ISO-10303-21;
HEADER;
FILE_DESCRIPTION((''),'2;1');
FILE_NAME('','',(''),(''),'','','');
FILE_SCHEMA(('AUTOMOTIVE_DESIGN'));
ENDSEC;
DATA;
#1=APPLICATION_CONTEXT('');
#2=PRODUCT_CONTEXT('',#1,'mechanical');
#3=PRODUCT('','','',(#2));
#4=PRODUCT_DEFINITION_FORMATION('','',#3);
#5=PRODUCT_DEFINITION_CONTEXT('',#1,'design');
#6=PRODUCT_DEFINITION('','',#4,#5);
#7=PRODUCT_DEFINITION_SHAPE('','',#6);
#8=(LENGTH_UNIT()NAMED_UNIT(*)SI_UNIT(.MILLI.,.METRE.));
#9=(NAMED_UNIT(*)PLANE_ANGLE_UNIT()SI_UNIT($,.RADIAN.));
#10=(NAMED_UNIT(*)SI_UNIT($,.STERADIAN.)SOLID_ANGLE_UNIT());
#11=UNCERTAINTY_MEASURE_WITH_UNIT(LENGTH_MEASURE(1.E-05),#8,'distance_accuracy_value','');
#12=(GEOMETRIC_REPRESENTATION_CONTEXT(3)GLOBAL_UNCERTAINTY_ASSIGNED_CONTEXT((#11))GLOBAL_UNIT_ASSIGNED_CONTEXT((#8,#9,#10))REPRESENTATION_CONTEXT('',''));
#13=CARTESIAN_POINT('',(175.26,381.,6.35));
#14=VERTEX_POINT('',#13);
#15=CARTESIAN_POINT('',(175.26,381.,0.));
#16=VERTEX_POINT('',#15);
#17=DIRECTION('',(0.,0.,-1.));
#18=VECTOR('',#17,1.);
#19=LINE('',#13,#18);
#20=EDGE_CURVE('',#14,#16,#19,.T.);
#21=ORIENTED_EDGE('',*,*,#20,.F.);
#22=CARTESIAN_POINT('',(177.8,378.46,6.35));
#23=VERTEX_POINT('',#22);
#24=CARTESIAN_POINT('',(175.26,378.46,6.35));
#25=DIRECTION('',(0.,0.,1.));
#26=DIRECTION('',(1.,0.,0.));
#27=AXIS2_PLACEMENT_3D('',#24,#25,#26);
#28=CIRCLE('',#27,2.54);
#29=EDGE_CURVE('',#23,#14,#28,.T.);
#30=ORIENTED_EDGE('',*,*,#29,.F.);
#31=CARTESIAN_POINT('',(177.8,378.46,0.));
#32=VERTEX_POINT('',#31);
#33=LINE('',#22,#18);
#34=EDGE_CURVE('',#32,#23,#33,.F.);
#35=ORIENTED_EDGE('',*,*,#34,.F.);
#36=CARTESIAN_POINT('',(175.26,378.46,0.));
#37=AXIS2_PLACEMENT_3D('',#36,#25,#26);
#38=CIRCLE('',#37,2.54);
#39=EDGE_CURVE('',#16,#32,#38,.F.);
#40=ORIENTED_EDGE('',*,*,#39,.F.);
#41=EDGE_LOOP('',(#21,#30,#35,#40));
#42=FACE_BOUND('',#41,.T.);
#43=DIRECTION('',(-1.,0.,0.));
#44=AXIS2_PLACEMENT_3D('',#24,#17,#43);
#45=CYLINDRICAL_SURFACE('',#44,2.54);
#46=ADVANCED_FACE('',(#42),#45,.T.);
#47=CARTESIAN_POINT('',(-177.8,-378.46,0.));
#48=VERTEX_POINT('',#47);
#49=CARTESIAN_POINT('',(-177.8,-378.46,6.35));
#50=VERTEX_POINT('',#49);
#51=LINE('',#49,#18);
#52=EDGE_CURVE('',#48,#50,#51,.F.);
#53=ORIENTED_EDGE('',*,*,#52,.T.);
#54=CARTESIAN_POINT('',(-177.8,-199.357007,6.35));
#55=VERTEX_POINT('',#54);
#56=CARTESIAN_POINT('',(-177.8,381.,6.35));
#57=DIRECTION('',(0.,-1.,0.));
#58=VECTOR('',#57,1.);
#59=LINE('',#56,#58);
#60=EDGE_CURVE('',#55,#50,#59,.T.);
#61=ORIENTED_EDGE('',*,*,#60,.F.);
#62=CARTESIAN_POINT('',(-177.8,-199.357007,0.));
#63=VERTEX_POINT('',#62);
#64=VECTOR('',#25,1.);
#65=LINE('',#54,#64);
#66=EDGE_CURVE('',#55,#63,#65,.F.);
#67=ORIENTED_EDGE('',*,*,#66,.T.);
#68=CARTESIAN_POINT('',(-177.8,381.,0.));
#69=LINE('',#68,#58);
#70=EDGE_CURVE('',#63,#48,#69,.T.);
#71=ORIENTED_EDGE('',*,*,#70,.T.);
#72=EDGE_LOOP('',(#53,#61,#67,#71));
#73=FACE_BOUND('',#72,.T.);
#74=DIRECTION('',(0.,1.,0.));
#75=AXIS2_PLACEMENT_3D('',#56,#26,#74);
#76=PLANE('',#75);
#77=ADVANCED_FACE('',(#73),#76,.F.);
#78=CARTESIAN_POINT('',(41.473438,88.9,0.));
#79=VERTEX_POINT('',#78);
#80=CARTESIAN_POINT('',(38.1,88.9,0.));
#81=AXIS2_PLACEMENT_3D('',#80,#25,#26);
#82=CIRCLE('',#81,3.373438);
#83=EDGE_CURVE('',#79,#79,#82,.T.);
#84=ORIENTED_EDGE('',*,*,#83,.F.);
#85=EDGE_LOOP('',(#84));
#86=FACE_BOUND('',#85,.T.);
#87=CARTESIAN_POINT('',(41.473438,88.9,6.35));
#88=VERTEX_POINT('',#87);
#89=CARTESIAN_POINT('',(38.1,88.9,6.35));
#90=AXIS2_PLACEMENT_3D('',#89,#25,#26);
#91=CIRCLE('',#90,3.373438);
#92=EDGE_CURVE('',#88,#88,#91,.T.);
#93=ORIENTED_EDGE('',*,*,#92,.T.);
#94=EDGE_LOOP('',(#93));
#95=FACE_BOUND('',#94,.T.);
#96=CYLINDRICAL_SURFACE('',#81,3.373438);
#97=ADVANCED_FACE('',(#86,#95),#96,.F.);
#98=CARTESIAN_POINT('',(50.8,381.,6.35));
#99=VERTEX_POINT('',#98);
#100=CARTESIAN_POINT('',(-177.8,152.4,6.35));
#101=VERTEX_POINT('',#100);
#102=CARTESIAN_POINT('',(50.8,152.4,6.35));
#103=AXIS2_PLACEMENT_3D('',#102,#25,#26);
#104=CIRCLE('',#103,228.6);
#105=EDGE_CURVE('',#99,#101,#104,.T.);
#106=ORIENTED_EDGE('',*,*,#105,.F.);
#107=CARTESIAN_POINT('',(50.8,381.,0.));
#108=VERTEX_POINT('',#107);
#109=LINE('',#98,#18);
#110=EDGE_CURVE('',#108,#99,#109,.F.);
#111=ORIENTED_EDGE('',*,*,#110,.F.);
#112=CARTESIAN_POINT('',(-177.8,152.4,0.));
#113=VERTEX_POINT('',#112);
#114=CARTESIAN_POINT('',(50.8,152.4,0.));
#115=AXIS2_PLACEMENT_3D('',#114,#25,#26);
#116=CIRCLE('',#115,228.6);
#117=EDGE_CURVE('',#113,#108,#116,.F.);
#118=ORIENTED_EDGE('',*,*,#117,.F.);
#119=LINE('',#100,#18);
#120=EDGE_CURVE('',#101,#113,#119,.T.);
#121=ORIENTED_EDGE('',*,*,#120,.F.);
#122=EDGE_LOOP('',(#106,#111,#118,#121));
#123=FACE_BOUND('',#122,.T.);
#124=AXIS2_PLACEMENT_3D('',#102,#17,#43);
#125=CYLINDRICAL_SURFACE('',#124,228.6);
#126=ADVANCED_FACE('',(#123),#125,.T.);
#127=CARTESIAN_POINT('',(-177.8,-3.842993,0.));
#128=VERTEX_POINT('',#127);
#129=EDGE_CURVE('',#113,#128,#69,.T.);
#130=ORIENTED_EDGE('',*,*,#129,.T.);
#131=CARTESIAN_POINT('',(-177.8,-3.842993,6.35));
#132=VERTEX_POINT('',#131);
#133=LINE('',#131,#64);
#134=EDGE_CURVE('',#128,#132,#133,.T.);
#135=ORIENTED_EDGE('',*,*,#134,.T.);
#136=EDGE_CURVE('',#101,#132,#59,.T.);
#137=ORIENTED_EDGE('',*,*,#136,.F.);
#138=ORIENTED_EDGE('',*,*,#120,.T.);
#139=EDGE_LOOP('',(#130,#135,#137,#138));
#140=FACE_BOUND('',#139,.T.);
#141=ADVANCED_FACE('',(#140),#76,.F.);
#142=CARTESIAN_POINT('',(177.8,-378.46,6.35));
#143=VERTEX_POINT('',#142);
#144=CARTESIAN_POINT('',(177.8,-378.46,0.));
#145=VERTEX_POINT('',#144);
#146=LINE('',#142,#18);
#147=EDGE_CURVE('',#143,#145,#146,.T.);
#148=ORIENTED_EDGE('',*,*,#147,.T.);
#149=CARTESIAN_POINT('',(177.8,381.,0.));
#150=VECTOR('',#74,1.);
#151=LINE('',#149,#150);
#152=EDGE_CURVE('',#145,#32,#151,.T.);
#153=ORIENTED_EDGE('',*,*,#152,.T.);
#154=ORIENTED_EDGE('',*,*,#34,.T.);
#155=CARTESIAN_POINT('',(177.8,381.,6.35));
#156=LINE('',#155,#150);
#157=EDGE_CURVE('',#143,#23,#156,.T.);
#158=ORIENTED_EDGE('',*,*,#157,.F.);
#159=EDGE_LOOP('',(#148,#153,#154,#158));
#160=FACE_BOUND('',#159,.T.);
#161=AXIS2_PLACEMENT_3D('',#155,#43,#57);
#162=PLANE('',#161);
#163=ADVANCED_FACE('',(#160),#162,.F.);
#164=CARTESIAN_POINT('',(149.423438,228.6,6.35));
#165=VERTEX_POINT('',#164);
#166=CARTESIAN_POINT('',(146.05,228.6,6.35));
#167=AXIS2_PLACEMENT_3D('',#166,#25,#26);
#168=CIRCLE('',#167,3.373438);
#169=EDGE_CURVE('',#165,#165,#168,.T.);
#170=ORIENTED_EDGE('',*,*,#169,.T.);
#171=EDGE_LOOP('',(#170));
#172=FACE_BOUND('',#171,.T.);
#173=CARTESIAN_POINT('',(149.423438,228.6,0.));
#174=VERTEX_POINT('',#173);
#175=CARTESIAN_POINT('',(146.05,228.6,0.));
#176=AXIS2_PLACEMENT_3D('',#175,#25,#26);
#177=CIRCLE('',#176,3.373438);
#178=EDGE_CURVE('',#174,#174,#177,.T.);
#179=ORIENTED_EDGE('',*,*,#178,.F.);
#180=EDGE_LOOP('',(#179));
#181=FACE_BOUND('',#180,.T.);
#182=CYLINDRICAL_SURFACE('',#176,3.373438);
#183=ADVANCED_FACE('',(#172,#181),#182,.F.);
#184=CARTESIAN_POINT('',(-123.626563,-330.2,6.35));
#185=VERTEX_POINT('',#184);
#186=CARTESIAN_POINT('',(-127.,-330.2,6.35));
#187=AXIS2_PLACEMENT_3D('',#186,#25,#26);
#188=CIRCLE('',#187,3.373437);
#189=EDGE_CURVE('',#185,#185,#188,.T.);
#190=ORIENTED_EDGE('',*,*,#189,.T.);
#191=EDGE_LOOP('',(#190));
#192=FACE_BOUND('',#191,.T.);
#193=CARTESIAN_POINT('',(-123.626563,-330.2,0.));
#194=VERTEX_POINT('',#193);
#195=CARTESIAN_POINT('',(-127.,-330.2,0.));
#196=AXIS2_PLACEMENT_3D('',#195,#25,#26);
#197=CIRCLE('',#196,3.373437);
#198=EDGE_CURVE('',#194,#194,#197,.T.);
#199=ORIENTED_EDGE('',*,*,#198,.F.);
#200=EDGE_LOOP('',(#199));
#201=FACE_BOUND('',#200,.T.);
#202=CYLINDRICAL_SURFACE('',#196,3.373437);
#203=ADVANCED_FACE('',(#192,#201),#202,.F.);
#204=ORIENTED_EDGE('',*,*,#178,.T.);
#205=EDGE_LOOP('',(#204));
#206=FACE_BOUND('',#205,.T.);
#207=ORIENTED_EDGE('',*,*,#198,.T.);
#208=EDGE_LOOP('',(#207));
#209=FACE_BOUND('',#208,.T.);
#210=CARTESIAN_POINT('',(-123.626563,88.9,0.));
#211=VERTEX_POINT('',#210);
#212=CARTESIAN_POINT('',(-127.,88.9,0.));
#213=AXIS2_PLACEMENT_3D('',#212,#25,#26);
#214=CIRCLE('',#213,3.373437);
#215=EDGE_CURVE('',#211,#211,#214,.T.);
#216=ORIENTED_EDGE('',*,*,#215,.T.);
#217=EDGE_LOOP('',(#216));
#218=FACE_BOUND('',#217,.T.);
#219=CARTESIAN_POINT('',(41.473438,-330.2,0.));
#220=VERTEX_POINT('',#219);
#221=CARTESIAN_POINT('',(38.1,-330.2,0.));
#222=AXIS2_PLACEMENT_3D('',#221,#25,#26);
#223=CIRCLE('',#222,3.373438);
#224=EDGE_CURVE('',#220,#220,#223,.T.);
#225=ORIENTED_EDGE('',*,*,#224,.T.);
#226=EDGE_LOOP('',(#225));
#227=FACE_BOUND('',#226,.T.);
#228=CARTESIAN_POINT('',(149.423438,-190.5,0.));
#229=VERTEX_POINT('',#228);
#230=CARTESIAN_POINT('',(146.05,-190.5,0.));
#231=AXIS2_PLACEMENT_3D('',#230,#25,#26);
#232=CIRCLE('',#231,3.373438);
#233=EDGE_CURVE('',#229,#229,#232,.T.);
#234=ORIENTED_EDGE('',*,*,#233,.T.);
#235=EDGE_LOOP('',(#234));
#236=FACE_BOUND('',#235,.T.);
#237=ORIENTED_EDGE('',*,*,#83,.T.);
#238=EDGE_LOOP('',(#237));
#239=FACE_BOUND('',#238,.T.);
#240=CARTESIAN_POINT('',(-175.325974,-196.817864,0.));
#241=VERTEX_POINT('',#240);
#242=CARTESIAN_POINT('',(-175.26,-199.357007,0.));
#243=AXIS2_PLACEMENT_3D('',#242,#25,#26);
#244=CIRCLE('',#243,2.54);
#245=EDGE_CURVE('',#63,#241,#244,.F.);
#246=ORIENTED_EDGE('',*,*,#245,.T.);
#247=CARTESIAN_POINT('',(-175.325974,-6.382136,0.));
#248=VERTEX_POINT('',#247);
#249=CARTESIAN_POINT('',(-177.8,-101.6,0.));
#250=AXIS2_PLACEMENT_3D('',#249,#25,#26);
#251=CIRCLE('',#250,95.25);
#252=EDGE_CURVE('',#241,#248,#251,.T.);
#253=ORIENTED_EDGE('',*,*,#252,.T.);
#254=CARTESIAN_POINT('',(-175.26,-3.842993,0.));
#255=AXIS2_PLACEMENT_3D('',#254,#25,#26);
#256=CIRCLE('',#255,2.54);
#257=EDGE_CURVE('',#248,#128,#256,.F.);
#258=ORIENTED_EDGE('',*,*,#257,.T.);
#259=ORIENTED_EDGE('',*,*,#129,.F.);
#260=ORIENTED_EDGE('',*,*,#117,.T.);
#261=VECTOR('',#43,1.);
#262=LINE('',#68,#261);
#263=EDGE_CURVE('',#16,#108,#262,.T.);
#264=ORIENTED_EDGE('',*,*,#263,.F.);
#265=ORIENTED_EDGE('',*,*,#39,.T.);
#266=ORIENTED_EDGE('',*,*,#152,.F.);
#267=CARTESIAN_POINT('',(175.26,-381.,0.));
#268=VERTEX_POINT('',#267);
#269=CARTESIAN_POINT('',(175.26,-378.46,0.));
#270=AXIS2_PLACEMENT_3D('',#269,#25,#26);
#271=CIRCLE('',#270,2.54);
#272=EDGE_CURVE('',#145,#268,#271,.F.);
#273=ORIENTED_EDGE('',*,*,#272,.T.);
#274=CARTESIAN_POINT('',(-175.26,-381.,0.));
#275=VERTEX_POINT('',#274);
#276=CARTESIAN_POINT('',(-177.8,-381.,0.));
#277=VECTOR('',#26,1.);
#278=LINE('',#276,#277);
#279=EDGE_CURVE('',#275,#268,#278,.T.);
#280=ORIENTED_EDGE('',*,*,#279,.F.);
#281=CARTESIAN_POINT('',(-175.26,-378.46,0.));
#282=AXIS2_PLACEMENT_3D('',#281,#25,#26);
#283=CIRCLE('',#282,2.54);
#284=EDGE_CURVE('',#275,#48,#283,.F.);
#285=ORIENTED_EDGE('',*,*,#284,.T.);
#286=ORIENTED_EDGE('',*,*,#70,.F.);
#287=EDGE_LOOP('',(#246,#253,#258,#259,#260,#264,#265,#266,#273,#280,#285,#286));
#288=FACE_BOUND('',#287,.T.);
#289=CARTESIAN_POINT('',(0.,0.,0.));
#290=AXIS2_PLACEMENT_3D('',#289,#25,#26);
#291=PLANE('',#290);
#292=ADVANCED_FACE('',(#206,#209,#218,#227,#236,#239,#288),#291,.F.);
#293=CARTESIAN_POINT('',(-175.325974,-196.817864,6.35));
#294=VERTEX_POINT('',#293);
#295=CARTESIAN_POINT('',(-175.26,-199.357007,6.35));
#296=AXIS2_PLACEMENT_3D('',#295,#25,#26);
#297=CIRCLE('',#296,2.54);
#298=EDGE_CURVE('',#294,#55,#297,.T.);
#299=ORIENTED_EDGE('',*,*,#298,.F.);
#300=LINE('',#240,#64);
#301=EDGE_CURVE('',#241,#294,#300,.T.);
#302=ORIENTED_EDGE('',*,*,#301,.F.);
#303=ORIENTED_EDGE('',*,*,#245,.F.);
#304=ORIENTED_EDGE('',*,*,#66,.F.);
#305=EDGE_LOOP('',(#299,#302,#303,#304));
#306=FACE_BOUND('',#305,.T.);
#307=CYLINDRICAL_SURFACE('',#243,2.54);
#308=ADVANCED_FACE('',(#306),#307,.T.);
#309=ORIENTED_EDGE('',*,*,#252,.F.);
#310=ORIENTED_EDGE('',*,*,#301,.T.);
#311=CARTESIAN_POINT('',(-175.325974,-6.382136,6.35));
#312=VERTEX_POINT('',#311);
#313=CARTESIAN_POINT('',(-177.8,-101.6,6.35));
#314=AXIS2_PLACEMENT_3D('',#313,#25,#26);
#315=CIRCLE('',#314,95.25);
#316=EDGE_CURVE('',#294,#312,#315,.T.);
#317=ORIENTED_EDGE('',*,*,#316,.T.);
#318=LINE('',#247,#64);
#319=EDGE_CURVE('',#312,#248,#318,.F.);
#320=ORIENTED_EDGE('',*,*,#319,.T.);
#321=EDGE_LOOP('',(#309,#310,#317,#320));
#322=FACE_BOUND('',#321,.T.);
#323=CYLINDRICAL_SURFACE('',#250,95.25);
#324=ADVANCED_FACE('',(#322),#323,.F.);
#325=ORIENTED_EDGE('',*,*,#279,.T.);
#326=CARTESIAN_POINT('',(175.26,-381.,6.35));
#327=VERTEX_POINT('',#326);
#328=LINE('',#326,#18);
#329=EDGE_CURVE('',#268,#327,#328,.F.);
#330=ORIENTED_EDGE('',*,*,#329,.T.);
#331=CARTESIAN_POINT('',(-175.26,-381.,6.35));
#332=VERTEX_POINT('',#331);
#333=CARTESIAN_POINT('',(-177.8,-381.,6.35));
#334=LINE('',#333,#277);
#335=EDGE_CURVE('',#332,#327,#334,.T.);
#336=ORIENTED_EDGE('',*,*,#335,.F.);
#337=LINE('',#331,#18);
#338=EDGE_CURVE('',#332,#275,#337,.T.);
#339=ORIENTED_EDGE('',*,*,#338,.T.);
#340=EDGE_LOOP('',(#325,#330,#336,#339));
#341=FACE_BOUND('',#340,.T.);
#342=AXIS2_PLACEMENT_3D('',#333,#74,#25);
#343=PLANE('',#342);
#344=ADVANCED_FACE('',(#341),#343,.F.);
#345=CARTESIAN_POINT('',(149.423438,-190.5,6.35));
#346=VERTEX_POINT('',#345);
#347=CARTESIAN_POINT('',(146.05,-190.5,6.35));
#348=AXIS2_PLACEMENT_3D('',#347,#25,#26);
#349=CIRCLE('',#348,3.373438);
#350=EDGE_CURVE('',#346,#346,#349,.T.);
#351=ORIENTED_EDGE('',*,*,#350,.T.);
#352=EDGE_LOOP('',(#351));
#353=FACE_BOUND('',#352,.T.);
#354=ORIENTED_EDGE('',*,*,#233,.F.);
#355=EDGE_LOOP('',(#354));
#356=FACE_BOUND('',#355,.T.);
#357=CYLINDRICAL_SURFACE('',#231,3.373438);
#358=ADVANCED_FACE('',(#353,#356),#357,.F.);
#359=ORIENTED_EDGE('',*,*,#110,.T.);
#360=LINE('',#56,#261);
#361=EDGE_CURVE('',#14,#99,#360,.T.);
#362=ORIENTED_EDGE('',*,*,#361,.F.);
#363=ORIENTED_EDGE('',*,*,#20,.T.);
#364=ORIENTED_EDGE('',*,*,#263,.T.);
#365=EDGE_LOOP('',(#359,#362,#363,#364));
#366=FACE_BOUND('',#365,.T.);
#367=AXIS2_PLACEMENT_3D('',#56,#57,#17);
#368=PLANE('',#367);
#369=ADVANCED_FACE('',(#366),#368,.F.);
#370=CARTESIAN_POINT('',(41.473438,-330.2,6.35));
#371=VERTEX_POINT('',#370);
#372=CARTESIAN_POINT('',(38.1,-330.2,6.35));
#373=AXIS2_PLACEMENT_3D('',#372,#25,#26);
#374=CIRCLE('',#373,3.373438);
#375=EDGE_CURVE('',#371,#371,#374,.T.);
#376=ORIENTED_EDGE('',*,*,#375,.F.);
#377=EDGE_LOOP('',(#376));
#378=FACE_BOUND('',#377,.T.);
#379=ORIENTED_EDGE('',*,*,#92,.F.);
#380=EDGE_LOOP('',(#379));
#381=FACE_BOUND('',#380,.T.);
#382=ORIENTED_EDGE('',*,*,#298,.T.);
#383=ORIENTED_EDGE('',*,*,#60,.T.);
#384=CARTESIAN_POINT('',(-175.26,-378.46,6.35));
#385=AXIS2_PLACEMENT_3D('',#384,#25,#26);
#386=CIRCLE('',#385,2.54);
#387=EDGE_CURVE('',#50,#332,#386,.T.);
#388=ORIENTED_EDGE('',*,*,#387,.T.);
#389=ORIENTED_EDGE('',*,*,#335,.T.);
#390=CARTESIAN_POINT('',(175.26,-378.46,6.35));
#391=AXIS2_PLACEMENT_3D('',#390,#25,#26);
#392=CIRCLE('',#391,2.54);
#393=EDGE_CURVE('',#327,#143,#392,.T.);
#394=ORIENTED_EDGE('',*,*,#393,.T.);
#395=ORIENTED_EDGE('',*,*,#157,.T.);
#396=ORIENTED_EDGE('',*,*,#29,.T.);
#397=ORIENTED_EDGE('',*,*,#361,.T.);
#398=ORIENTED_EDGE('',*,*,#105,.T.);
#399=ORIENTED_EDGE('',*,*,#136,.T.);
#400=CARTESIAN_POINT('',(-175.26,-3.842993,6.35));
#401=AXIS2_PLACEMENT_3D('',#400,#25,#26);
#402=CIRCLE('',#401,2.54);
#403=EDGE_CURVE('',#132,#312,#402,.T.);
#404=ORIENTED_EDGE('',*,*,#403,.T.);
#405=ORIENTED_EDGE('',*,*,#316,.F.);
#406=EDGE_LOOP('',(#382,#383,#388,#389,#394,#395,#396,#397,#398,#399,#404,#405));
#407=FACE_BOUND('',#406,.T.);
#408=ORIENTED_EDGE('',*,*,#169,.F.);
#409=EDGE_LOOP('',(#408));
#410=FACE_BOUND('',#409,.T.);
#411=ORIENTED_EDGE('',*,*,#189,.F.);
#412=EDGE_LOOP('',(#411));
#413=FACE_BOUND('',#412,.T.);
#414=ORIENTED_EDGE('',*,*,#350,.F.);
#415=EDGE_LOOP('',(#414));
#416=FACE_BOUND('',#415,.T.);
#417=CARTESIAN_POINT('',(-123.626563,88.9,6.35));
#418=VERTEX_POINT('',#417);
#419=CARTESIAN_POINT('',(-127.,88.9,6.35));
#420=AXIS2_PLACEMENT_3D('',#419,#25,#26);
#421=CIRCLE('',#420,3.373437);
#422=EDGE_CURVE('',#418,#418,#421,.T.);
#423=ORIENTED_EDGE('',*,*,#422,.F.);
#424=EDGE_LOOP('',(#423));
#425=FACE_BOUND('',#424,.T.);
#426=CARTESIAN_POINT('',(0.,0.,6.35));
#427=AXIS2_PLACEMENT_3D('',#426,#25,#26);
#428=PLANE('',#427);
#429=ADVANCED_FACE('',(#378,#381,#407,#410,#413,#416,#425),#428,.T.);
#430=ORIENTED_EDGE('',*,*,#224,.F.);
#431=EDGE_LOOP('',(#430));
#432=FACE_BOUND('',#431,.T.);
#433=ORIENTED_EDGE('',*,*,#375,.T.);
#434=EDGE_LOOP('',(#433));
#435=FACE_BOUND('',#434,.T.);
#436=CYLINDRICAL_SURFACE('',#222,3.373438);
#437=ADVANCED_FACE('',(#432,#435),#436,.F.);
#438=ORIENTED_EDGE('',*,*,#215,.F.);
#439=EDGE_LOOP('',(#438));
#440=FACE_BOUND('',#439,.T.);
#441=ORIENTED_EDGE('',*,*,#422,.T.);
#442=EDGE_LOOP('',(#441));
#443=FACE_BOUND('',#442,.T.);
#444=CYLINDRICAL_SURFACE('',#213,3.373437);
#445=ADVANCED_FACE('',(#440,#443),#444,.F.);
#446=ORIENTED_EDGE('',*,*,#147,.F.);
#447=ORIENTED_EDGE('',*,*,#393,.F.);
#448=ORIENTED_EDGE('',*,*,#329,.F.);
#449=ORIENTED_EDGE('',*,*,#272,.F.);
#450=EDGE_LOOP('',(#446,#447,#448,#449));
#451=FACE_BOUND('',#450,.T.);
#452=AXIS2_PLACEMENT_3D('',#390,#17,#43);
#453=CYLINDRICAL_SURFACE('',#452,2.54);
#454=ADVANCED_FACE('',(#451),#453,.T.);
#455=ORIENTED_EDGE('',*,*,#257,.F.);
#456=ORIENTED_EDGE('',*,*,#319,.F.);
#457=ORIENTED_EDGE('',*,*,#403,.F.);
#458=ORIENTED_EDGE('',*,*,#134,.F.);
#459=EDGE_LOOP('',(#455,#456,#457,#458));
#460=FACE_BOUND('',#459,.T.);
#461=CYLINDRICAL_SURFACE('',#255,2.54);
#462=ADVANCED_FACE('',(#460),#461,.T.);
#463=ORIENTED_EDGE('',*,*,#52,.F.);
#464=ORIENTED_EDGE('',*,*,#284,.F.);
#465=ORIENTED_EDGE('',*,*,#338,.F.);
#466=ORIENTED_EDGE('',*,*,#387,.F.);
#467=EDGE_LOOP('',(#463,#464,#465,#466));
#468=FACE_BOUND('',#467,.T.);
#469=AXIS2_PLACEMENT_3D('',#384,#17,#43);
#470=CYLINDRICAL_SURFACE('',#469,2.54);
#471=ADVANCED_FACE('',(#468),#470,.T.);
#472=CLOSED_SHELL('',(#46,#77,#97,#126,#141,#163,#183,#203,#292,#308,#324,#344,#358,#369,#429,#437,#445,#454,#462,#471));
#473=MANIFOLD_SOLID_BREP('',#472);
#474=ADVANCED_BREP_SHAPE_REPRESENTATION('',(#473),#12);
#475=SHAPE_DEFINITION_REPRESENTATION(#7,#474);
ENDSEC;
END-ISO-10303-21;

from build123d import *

# Parameters (mm, degrees)
SKETCH1_W           = 355.6
SKETCH1_H           = 762
BOSS_EXTRUDE1_DEPTH = 6.35
FILLET1_R           = 228.6
SKETCH3_R           = 95.25
CUT_EXTRUDE1_DEPTH  = 421.492761531
SKETCH2_R           = 3.3734375
CUT_EXTRUDE2_DEPTH  = 421.492761531
FILLET2_R           = 2.54


with BuildPart() as part:
    # Sketch1 → Boss-Extrude1 (new body)
    with BuildSketch(Plane.XY):
        Rectangle(SKETCH1_W, SKETCH1_H)
    extrude(amount=BOSS_EXTRUDE1_DEPTH)

    # Fillet1
    fillet1_edges = [part.edges().sort_by_distance(p)[0] for p in [
        (-177.8, 381, 3.175),
    ]]
    fillet(fillet1_edges, radius=FILLET1_R)

    # Sketch3 → Cut-Extrude1 (cut, through all)
    with BuildSketch(Plane.XY.offset(6.35)):
        with Locations((-177.8, -101.6)):
            Circle(SKETCH3_R)
    extrude(amount=-CUT_EXTRUDE1_DEPTH, mode=Mode.SUBTRACT)

    # Sketch2 → Cut-Extrude2 (cut, through all)
    with BuildSketch(Plane.XY.offset(6.35)):
        with Locations((146.05, 228.6)):
            Circle(SKETCH2_R)
        with Locations((38.1, 88.9)):
            Circle(SKETCH2_R)
        with Locations((-127, 88.9)):
            Circle(SKETCH2_R)
        with Locations((146.05, -190.5)):
            Circle(SKETCH2_R)
        with Locations((38.1, -330.2)):
            Circle(SKETCH2_R)
        with Locations((-127, -330.2)):
            Circle(SKETCH2_R)
    extrude(amount=-CUT_EXTRUDE2_DEPTH, mode=Mode.SUBTRACT)

    # Fillet2
    fillet2_edges = [part.edges().sort_by_distance(p)[0] for p in [
        (-177.8, -6.35, 3.175),
        (-177.8, -196.85, 3.175),
        (177.8, -381, 3.175),
        (-177.8, -381, 3.175),
        (177.8, 381, 3.175),
    ]]
    fillet(fillet2_edges, radius=FILLET2_R)


solid = part.part
